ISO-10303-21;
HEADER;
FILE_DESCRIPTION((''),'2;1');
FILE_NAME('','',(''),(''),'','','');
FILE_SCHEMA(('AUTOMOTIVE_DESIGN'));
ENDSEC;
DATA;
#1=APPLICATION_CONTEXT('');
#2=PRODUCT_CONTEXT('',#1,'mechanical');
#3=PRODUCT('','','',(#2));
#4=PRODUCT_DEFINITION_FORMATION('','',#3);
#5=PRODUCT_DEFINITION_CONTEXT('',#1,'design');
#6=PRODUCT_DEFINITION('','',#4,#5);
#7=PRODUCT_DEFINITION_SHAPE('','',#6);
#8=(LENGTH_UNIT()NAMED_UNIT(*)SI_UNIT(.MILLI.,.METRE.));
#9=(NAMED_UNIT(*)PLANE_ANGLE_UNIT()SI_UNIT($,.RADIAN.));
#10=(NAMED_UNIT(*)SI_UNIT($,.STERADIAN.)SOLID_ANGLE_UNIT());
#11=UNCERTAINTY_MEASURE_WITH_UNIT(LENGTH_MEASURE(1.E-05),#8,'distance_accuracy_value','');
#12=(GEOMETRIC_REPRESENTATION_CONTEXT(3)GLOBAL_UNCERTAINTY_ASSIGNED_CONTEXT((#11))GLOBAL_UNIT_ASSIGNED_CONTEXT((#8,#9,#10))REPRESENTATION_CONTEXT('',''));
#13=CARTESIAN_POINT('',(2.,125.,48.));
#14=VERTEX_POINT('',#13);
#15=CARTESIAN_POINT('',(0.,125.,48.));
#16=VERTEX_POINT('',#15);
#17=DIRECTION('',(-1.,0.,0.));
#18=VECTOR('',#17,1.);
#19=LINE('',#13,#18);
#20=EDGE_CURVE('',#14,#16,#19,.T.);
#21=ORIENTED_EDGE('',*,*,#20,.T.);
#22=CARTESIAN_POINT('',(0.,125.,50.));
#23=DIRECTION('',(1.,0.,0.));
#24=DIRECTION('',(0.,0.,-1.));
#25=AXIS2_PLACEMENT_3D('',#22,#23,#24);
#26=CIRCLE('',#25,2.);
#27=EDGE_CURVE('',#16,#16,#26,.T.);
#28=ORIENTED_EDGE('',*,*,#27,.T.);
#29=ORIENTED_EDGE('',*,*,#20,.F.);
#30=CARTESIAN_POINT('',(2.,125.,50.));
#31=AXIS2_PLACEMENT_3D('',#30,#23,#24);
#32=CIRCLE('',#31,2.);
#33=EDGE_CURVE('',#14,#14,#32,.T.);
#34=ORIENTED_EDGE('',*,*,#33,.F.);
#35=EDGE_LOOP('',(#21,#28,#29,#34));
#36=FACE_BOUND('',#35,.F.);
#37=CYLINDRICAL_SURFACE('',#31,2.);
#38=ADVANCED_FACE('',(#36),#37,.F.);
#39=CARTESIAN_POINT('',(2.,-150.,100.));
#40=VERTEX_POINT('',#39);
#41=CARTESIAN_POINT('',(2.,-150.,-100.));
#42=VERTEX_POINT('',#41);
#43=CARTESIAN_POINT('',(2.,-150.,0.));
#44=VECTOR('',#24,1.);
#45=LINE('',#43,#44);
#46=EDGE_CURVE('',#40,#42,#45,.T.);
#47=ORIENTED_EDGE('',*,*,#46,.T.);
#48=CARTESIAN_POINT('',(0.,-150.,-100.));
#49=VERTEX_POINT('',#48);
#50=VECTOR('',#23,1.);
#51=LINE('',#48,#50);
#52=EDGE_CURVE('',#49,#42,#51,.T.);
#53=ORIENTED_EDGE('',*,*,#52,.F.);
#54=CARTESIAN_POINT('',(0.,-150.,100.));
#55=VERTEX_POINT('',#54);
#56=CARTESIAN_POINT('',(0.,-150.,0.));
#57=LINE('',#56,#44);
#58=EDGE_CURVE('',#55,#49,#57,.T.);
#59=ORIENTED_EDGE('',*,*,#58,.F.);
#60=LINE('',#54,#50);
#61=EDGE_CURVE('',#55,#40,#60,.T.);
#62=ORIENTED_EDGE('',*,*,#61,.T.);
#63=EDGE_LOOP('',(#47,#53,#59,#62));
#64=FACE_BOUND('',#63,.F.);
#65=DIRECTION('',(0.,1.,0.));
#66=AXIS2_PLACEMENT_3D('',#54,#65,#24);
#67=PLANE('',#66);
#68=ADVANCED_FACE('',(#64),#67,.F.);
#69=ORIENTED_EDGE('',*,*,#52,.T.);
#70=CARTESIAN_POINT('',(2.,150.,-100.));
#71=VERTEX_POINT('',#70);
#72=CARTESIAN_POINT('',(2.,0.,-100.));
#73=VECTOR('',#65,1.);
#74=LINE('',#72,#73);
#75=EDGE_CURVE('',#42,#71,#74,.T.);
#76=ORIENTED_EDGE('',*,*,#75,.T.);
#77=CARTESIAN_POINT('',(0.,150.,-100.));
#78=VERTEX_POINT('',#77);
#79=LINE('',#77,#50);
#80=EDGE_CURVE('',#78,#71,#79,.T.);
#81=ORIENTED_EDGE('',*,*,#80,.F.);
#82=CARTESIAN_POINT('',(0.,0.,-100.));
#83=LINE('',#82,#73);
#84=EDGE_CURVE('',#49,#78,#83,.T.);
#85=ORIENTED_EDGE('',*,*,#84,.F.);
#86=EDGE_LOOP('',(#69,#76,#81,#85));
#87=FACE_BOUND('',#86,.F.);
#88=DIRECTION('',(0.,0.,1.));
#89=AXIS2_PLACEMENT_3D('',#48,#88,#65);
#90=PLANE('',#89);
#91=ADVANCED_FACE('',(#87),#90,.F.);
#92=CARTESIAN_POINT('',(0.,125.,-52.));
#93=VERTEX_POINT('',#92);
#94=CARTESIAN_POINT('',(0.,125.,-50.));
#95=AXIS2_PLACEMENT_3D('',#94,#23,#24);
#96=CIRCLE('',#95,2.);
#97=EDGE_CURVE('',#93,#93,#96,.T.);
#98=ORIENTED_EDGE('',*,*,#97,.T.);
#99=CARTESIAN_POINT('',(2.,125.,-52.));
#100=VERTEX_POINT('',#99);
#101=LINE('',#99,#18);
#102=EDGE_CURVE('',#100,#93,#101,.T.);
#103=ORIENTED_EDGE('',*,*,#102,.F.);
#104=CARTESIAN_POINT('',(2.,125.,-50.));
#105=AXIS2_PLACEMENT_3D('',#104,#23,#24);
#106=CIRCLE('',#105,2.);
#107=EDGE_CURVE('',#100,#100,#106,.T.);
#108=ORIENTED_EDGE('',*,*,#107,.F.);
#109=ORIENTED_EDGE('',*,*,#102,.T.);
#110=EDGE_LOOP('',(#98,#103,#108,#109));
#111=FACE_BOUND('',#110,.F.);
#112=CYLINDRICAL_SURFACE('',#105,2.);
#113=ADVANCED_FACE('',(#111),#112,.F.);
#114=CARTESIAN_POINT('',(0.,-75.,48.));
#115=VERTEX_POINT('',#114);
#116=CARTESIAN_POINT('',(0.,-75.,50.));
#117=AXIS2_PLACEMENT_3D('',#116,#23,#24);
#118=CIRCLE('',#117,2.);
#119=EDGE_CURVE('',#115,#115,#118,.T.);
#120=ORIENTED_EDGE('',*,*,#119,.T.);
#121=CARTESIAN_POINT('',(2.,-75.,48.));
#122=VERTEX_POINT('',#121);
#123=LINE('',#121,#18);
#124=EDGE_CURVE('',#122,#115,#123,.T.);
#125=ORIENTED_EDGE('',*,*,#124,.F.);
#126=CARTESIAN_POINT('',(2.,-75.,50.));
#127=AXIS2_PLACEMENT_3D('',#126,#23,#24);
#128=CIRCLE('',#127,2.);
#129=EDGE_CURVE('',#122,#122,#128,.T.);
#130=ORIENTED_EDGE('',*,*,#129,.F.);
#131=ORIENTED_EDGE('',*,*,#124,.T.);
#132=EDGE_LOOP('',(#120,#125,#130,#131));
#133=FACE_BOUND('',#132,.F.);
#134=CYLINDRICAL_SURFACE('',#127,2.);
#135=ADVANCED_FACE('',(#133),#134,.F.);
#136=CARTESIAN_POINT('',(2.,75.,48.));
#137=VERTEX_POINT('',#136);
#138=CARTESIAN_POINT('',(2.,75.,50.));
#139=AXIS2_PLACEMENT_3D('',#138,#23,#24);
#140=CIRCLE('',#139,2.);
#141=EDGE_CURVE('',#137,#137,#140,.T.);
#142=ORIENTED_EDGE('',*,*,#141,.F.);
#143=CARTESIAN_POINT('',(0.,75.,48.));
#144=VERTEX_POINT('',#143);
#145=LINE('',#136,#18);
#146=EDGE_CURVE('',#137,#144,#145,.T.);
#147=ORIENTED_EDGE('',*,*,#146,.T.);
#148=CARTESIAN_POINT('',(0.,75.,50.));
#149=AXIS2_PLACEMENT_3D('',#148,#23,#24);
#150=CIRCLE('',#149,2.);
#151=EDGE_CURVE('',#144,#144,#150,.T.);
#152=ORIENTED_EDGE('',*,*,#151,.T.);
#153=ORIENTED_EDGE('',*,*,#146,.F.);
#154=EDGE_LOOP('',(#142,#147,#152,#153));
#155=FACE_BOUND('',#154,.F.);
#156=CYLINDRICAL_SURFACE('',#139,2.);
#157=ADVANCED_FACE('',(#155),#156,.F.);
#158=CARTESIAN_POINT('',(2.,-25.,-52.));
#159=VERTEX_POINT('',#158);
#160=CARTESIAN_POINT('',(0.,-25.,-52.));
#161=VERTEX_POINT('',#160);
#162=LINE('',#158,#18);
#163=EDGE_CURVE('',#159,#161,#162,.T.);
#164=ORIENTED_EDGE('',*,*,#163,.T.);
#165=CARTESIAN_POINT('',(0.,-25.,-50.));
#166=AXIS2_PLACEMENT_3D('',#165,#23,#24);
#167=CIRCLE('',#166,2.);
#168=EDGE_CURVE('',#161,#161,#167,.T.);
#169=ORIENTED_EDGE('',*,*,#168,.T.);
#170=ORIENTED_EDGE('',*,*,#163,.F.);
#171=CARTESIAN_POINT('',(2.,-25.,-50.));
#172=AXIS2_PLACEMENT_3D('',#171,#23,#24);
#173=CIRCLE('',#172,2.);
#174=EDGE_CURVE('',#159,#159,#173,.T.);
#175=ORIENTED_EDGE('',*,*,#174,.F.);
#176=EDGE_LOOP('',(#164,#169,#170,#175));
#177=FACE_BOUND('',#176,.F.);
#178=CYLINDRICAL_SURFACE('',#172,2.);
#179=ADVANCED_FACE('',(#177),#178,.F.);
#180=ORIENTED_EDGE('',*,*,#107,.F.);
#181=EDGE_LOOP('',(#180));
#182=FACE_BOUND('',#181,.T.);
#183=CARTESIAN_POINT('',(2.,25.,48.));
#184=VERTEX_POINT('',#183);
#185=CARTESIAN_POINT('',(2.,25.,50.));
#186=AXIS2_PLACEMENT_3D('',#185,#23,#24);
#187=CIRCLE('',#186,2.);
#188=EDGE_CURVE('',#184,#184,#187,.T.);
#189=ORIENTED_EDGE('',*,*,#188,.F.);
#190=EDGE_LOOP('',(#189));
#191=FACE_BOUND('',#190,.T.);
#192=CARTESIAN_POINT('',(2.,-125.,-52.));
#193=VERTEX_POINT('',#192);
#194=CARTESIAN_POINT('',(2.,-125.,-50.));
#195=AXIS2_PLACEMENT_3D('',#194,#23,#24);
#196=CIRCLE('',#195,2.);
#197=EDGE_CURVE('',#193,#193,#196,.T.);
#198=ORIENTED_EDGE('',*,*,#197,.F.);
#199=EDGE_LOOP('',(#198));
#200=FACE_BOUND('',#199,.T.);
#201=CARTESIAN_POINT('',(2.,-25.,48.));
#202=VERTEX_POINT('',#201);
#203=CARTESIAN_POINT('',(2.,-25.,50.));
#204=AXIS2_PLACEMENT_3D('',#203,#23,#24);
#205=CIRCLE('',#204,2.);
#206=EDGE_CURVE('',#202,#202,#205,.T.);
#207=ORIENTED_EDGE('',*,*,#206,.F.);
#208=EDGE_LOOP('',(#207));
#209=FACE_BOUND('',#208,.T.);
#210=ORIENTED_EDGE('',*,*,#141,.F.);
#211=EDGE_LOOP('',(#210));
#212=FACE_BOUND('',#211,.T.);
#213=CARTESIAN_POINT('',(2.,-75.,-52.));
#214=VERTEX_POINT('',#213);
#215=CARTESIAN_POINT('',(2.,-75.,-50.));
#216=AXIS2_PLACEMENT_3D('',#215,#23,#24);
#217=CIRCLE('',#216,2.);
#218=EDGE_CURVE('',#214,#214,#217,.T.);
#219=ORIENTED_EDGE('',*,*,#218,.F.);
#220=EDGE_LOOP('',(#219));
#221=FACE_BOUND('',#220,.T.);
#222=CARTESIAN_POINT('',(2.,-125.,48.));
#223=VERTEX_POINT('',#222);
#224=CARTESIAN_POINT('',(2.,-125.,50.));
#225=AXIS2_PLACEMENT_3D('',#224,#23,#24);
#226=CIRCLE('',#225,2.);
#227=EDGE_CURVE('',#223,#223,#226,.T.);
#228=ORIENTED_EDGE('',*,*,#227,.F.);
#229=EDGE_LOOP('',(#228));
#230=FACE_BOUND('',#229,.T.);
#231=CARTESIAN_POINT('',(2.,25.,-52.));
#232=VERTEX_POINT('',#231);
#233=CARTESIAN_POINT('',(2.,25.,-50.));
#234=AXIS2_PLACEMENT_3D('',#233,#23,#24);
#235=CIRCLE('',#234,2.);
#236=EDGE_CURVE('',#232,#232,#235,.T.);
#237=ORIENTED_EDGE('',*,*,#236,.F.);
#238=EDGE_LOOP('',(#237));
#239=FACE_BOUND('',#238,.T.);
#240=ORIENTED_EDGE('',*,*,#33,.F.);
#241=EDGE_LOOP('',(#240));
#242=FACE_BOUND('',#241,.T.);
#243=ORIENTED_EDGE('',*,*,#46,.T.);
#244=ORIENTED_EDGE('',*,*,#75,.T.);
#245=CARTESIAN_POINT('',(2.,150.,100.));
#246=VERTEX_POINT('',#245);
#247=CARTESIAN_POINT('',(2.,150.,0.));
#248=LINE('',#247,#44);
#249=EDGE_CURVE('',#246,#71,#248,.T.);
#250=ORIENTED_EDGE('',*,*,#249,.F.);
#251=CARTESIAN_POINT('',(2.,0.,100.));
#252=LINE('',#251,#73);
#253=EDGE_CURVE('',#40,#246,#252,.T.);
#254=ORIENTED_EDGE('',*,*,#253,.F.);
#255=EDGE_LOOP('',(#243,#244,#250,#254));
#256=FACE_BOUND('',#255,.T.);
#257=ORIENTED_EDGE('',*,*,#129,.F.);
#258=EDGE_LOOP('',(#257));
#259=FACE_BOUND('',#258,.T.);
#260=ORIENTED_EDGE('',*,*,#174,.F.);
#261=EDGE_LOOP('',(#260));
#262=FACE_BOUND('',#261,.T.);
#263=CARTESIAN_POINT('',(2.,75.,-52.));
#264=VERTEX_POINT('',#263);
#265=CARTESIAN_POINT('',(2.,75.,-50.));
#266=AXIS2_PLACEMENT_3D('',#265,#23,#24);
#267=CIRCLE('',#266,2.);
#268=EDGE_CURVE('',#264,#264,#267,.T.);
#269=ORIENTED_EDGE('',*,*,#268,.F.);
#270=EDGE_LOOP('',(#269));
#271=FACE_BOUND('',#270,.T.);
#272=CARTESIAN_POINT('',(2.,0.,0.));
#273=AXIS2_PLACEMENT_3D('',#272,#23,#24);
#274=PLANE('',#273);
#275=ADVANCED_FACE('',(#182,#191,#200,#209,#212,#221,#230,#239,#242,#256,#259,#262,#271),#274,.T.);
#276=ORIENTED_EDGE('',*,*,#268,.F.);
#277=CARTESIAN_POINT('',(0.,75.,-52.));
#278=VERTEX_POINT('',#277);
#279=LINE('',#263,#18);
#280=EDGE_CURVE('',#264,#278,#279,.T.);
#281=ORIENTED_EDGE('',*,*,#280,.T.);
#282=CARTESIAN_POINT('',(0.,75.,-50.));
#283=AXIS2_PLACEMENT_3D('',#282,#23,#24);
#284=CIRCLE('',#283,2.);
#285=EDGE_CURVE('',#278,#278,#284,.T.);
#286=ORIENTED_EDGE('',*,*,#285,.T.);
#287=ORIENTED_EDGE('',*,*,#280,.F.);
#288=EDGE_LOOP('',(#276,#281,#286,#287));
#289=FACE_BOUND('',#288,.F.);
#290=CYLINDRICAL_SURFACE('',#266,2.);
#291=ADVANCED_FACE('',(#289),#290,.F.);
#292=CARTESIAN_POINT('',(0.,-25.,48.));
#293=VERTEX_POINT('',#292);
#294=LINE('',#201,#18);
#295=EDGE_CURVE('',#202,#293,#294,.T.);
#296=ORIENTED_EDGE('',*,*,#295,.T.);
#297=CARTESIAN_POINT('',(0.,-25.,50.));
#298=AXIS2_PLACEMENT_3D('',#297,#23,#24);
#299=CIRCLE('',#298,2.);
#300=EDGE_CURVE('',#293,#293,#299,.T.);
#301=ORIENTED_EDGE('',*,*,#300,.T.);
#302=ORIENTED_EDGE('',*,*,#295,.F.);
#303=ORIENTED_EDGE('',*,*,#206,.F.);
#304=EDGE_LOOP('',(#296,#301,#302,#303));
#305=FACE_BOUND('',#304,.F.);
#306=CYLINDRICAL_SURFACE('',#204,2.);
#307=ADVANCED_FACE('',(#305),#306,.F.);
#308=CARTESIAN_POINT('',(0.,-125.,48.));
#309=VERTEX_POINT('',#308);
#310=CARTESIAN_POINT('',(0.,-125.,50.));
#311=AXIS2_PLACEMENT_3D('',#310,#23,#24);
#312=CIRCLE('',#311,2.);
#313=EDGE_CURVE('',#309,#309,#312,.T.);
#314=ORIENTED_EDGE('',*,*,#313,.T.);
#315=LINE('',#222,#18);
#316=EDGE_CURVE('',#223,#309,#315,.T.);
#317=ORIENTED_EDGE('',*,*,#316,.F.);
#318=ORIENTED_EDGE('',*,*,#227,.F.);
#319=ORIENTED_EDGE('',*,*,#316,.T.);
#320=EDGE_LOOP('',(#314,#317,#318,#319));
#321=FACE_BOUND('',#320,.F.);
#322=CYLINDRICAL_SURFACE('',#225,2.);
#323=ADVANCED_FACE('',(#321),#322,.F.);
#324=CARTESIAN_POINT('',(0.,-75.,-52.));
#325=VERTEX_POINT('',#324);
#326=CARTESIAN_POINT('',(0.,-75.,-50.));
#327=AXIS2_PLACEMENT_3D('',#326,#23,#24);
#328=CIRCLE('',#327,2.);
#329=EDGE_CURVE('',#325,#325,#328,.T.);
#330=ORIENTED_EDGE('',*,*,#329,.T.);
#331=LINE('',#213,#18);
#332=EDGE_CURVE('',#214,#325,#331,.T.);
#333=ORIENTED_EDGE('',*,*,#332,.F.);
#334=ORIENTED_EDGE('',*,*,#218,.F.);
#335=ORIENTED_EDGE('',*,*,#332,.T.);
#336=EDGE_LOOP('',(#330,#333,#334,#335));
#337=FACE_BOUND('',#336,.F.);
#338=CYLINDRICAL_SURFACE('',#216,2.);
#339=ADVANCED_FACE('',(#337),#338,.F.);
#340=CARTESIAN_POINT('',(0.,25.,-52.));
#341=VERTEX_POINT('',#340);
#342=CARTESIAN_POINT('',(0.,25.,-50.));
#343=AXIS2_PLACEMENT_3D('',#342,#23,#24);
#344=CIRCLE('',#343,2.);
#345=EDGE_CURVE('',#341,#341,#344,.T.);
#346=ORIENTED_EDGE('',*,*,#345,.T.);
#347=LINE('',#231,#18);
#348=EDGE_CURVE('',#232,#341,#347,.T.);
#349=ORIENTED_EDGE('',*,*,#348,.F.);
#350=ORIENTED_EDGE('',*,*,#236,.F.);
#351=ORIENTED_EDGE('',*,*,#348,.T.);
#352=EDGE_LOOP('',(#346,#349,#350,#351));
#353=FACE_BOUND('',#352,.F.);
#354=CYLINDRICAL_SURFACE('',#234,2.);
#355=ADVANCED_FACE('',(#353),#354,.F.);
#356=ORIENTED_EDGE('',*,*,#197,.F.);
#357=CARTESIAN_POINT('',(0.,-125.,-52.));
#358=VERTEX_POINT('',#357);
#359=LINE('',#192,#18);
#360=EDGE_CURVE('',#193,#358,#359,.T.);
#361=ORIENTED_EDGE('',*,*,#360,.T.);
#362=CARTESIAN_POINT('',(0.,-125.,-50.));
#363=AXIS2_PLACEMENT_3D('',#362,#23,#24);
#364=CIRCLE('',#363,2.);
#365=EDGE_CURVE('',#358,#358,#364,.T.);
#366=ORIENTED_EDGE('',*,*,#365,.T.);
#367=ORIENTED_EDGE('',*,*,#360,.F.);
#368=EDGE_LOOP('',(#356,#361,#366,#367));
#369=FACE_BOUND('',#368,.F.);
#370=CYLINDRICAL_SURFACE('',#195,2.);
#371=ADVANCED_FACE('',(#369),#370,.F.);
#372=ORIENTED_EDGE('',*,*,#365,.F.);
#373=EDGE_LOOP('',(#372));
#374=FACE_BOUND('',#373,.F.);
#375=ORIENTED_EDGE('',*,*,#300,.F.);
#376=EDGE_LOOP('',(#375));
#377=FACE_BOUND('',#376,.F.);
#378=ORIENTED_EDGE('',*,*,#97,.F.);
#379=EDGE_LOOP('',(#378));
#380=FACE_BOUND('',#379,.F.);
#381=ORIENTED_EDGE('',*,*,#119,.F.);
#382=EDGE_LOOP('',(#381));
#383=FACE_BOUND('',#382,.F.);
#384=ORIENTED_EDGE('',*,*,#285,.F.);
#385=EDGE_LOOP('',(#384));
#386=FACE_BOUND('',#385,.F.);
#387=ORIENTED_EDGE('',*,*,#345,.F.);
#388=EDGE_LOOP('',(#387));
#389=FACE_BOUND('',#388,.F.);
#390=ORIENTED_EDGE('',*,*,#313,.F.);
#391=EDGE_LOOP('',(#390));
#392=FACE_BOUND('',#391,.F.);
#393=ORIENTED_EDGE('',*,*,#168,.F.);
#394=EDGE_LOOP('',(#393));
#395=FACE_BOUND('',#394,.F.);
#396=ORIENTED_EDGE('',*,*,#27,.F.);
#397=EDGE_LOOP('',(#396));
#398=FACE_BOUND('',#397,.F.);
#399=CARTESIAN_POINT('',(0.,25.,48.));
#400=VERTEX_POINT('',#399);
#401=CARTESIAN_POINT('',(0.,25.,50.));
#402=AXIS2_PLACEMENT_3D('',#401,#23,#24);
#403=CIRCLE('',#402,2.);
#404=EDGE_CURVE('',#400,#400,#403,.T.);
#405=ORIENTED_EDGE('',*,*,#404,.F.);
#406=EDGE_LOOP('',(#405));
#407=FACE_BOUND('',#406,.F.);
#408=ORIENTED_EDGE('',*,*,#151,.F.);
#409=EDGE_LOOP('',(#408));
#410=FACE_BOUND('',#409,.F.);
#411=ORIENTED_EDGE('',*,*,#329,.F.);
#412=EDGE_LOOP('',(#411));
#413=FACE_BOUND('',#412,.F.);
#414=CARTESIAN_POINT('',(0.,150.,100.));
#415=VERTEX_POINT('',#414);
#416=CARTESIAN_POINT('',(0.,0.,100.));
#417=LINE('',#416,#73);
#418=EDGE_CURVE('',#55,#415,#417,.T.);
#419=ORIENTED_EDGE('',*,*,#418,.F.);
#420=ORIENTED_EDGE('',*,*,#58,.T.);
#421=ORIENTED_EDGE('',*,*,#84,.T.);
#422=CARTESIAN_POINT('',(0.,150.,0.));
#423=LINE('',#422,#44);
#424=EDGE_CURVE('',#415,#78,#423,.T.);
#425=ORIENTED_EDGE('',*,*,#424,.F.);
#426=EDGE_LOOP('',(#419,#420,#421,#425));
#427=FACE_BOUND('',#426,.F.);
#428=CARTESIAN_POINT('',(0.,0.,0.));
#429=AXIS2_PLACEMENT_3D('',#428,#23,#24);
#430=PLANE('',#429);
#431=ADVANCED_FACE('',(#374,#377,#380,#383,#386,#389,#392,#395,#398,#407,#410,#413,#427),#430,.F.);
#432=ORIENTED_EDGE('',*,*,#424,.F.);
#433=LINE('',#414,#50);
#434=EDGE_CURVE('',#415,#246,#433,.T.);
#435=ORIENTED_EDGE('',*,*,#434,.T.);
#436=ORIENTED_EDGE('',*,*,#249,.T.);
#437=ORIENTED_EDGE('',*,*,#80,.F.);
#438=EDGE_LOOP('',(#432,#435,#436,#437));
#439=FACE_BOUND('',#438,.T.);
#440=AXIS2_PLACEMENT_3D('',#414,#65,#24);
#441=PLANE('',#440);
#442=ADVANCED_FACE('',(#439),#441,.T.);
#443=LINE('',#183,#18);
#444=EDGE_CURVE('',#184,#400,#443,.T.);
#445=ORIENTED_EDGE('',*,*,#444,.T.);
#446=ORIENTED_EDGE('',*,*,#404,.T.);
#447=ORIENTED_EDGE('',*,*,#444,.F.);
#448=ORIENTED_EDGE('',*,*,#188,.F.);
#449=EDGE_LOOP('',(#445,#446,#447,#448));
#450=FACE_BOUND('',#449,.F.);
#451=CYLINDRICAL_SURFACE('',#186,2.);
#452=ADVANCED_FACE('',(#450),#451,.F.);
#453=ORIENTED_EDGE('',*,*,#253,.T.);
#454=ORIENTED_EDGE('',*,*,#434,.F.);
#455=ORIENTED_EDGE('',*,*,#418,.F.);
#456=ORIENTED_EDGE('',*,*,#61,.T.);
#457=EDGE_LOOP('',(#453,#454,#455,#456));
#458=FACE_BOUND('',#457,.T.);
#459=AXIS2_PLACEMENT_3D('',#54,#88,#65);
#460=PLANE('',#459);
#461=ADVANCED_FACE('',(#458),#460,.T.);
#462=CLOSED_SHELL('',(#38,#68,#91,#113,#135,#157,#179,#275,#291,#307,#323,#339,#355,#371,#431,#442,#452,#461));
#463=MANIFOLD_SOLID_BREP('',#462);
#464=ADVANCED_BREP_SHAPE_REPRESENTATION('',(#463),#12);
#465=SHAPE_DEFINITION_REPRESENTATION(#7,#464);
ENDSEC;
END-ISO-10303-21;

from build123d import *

# Parameters (mm, degrees)
SKETCH_1_W          = 200
SKETCH_1_H          = 300
EXTRUDE_1_DEPTH     = 2
SKETCH_2_R          = 2
CUT_EXTRUDE_1_DEPTH = 2


with BuildPart() as part:
    # Эскиз1 → Бобышка-Вытянуть1 (new body)
    with BuildSketch(Plane(origin=(0, 0, 0), x_dir=(0, 0, -1), z_dir=(1, 0, 0))):
        Rectangle(SKETCH_1_W, SKETCH_1_H)
    extrude(amount=EXTRUDE_1_DEPTH)

    # Эскиз2 → Вырез-Вытянуть1 (cut)
    with BuildSketch(Plane(origin=(2, 0, 0), x_dir=(0, 0, -1), z_dir=(1, 0, 0))):
        with Locations((-50, 125)):
            Circle(SKETCH_2_R)
        with Locations((50, 125)):
            Circle(SKETCH_2_R)
        with Locations((50, -125)):
            Circle(SKETCH_2_R)
        with Locations((-50, -125)):
            Circle(SKETCH_2_R)
        with Locations((-50, 75)):
            Circle(SKETCH_2_R)
        with Locations((-50, 25)):
            Circle(SKETCH_2_R)
        with Locations((50, 25)):
            Circle(SKETCH_2_R)
        with Locations((50, 75)):
            Circle(SKETCH_2_R)
        with Locations((-50, -25)):
            Circle(SKETCH_2_R)
        with Locations((50, -25)):
            Circle(SKETCH_2_R)
        with Locations((50, -75)):
            Circle(SKETCH_2_R)
        with Locations((-50, -75)):
            Circle(SKETCH_2_R)
    extrude(amount=-CUT_EXTRUDE_1_DEPTH, mode=Mode.SUBTRACT)


solid = part.part
